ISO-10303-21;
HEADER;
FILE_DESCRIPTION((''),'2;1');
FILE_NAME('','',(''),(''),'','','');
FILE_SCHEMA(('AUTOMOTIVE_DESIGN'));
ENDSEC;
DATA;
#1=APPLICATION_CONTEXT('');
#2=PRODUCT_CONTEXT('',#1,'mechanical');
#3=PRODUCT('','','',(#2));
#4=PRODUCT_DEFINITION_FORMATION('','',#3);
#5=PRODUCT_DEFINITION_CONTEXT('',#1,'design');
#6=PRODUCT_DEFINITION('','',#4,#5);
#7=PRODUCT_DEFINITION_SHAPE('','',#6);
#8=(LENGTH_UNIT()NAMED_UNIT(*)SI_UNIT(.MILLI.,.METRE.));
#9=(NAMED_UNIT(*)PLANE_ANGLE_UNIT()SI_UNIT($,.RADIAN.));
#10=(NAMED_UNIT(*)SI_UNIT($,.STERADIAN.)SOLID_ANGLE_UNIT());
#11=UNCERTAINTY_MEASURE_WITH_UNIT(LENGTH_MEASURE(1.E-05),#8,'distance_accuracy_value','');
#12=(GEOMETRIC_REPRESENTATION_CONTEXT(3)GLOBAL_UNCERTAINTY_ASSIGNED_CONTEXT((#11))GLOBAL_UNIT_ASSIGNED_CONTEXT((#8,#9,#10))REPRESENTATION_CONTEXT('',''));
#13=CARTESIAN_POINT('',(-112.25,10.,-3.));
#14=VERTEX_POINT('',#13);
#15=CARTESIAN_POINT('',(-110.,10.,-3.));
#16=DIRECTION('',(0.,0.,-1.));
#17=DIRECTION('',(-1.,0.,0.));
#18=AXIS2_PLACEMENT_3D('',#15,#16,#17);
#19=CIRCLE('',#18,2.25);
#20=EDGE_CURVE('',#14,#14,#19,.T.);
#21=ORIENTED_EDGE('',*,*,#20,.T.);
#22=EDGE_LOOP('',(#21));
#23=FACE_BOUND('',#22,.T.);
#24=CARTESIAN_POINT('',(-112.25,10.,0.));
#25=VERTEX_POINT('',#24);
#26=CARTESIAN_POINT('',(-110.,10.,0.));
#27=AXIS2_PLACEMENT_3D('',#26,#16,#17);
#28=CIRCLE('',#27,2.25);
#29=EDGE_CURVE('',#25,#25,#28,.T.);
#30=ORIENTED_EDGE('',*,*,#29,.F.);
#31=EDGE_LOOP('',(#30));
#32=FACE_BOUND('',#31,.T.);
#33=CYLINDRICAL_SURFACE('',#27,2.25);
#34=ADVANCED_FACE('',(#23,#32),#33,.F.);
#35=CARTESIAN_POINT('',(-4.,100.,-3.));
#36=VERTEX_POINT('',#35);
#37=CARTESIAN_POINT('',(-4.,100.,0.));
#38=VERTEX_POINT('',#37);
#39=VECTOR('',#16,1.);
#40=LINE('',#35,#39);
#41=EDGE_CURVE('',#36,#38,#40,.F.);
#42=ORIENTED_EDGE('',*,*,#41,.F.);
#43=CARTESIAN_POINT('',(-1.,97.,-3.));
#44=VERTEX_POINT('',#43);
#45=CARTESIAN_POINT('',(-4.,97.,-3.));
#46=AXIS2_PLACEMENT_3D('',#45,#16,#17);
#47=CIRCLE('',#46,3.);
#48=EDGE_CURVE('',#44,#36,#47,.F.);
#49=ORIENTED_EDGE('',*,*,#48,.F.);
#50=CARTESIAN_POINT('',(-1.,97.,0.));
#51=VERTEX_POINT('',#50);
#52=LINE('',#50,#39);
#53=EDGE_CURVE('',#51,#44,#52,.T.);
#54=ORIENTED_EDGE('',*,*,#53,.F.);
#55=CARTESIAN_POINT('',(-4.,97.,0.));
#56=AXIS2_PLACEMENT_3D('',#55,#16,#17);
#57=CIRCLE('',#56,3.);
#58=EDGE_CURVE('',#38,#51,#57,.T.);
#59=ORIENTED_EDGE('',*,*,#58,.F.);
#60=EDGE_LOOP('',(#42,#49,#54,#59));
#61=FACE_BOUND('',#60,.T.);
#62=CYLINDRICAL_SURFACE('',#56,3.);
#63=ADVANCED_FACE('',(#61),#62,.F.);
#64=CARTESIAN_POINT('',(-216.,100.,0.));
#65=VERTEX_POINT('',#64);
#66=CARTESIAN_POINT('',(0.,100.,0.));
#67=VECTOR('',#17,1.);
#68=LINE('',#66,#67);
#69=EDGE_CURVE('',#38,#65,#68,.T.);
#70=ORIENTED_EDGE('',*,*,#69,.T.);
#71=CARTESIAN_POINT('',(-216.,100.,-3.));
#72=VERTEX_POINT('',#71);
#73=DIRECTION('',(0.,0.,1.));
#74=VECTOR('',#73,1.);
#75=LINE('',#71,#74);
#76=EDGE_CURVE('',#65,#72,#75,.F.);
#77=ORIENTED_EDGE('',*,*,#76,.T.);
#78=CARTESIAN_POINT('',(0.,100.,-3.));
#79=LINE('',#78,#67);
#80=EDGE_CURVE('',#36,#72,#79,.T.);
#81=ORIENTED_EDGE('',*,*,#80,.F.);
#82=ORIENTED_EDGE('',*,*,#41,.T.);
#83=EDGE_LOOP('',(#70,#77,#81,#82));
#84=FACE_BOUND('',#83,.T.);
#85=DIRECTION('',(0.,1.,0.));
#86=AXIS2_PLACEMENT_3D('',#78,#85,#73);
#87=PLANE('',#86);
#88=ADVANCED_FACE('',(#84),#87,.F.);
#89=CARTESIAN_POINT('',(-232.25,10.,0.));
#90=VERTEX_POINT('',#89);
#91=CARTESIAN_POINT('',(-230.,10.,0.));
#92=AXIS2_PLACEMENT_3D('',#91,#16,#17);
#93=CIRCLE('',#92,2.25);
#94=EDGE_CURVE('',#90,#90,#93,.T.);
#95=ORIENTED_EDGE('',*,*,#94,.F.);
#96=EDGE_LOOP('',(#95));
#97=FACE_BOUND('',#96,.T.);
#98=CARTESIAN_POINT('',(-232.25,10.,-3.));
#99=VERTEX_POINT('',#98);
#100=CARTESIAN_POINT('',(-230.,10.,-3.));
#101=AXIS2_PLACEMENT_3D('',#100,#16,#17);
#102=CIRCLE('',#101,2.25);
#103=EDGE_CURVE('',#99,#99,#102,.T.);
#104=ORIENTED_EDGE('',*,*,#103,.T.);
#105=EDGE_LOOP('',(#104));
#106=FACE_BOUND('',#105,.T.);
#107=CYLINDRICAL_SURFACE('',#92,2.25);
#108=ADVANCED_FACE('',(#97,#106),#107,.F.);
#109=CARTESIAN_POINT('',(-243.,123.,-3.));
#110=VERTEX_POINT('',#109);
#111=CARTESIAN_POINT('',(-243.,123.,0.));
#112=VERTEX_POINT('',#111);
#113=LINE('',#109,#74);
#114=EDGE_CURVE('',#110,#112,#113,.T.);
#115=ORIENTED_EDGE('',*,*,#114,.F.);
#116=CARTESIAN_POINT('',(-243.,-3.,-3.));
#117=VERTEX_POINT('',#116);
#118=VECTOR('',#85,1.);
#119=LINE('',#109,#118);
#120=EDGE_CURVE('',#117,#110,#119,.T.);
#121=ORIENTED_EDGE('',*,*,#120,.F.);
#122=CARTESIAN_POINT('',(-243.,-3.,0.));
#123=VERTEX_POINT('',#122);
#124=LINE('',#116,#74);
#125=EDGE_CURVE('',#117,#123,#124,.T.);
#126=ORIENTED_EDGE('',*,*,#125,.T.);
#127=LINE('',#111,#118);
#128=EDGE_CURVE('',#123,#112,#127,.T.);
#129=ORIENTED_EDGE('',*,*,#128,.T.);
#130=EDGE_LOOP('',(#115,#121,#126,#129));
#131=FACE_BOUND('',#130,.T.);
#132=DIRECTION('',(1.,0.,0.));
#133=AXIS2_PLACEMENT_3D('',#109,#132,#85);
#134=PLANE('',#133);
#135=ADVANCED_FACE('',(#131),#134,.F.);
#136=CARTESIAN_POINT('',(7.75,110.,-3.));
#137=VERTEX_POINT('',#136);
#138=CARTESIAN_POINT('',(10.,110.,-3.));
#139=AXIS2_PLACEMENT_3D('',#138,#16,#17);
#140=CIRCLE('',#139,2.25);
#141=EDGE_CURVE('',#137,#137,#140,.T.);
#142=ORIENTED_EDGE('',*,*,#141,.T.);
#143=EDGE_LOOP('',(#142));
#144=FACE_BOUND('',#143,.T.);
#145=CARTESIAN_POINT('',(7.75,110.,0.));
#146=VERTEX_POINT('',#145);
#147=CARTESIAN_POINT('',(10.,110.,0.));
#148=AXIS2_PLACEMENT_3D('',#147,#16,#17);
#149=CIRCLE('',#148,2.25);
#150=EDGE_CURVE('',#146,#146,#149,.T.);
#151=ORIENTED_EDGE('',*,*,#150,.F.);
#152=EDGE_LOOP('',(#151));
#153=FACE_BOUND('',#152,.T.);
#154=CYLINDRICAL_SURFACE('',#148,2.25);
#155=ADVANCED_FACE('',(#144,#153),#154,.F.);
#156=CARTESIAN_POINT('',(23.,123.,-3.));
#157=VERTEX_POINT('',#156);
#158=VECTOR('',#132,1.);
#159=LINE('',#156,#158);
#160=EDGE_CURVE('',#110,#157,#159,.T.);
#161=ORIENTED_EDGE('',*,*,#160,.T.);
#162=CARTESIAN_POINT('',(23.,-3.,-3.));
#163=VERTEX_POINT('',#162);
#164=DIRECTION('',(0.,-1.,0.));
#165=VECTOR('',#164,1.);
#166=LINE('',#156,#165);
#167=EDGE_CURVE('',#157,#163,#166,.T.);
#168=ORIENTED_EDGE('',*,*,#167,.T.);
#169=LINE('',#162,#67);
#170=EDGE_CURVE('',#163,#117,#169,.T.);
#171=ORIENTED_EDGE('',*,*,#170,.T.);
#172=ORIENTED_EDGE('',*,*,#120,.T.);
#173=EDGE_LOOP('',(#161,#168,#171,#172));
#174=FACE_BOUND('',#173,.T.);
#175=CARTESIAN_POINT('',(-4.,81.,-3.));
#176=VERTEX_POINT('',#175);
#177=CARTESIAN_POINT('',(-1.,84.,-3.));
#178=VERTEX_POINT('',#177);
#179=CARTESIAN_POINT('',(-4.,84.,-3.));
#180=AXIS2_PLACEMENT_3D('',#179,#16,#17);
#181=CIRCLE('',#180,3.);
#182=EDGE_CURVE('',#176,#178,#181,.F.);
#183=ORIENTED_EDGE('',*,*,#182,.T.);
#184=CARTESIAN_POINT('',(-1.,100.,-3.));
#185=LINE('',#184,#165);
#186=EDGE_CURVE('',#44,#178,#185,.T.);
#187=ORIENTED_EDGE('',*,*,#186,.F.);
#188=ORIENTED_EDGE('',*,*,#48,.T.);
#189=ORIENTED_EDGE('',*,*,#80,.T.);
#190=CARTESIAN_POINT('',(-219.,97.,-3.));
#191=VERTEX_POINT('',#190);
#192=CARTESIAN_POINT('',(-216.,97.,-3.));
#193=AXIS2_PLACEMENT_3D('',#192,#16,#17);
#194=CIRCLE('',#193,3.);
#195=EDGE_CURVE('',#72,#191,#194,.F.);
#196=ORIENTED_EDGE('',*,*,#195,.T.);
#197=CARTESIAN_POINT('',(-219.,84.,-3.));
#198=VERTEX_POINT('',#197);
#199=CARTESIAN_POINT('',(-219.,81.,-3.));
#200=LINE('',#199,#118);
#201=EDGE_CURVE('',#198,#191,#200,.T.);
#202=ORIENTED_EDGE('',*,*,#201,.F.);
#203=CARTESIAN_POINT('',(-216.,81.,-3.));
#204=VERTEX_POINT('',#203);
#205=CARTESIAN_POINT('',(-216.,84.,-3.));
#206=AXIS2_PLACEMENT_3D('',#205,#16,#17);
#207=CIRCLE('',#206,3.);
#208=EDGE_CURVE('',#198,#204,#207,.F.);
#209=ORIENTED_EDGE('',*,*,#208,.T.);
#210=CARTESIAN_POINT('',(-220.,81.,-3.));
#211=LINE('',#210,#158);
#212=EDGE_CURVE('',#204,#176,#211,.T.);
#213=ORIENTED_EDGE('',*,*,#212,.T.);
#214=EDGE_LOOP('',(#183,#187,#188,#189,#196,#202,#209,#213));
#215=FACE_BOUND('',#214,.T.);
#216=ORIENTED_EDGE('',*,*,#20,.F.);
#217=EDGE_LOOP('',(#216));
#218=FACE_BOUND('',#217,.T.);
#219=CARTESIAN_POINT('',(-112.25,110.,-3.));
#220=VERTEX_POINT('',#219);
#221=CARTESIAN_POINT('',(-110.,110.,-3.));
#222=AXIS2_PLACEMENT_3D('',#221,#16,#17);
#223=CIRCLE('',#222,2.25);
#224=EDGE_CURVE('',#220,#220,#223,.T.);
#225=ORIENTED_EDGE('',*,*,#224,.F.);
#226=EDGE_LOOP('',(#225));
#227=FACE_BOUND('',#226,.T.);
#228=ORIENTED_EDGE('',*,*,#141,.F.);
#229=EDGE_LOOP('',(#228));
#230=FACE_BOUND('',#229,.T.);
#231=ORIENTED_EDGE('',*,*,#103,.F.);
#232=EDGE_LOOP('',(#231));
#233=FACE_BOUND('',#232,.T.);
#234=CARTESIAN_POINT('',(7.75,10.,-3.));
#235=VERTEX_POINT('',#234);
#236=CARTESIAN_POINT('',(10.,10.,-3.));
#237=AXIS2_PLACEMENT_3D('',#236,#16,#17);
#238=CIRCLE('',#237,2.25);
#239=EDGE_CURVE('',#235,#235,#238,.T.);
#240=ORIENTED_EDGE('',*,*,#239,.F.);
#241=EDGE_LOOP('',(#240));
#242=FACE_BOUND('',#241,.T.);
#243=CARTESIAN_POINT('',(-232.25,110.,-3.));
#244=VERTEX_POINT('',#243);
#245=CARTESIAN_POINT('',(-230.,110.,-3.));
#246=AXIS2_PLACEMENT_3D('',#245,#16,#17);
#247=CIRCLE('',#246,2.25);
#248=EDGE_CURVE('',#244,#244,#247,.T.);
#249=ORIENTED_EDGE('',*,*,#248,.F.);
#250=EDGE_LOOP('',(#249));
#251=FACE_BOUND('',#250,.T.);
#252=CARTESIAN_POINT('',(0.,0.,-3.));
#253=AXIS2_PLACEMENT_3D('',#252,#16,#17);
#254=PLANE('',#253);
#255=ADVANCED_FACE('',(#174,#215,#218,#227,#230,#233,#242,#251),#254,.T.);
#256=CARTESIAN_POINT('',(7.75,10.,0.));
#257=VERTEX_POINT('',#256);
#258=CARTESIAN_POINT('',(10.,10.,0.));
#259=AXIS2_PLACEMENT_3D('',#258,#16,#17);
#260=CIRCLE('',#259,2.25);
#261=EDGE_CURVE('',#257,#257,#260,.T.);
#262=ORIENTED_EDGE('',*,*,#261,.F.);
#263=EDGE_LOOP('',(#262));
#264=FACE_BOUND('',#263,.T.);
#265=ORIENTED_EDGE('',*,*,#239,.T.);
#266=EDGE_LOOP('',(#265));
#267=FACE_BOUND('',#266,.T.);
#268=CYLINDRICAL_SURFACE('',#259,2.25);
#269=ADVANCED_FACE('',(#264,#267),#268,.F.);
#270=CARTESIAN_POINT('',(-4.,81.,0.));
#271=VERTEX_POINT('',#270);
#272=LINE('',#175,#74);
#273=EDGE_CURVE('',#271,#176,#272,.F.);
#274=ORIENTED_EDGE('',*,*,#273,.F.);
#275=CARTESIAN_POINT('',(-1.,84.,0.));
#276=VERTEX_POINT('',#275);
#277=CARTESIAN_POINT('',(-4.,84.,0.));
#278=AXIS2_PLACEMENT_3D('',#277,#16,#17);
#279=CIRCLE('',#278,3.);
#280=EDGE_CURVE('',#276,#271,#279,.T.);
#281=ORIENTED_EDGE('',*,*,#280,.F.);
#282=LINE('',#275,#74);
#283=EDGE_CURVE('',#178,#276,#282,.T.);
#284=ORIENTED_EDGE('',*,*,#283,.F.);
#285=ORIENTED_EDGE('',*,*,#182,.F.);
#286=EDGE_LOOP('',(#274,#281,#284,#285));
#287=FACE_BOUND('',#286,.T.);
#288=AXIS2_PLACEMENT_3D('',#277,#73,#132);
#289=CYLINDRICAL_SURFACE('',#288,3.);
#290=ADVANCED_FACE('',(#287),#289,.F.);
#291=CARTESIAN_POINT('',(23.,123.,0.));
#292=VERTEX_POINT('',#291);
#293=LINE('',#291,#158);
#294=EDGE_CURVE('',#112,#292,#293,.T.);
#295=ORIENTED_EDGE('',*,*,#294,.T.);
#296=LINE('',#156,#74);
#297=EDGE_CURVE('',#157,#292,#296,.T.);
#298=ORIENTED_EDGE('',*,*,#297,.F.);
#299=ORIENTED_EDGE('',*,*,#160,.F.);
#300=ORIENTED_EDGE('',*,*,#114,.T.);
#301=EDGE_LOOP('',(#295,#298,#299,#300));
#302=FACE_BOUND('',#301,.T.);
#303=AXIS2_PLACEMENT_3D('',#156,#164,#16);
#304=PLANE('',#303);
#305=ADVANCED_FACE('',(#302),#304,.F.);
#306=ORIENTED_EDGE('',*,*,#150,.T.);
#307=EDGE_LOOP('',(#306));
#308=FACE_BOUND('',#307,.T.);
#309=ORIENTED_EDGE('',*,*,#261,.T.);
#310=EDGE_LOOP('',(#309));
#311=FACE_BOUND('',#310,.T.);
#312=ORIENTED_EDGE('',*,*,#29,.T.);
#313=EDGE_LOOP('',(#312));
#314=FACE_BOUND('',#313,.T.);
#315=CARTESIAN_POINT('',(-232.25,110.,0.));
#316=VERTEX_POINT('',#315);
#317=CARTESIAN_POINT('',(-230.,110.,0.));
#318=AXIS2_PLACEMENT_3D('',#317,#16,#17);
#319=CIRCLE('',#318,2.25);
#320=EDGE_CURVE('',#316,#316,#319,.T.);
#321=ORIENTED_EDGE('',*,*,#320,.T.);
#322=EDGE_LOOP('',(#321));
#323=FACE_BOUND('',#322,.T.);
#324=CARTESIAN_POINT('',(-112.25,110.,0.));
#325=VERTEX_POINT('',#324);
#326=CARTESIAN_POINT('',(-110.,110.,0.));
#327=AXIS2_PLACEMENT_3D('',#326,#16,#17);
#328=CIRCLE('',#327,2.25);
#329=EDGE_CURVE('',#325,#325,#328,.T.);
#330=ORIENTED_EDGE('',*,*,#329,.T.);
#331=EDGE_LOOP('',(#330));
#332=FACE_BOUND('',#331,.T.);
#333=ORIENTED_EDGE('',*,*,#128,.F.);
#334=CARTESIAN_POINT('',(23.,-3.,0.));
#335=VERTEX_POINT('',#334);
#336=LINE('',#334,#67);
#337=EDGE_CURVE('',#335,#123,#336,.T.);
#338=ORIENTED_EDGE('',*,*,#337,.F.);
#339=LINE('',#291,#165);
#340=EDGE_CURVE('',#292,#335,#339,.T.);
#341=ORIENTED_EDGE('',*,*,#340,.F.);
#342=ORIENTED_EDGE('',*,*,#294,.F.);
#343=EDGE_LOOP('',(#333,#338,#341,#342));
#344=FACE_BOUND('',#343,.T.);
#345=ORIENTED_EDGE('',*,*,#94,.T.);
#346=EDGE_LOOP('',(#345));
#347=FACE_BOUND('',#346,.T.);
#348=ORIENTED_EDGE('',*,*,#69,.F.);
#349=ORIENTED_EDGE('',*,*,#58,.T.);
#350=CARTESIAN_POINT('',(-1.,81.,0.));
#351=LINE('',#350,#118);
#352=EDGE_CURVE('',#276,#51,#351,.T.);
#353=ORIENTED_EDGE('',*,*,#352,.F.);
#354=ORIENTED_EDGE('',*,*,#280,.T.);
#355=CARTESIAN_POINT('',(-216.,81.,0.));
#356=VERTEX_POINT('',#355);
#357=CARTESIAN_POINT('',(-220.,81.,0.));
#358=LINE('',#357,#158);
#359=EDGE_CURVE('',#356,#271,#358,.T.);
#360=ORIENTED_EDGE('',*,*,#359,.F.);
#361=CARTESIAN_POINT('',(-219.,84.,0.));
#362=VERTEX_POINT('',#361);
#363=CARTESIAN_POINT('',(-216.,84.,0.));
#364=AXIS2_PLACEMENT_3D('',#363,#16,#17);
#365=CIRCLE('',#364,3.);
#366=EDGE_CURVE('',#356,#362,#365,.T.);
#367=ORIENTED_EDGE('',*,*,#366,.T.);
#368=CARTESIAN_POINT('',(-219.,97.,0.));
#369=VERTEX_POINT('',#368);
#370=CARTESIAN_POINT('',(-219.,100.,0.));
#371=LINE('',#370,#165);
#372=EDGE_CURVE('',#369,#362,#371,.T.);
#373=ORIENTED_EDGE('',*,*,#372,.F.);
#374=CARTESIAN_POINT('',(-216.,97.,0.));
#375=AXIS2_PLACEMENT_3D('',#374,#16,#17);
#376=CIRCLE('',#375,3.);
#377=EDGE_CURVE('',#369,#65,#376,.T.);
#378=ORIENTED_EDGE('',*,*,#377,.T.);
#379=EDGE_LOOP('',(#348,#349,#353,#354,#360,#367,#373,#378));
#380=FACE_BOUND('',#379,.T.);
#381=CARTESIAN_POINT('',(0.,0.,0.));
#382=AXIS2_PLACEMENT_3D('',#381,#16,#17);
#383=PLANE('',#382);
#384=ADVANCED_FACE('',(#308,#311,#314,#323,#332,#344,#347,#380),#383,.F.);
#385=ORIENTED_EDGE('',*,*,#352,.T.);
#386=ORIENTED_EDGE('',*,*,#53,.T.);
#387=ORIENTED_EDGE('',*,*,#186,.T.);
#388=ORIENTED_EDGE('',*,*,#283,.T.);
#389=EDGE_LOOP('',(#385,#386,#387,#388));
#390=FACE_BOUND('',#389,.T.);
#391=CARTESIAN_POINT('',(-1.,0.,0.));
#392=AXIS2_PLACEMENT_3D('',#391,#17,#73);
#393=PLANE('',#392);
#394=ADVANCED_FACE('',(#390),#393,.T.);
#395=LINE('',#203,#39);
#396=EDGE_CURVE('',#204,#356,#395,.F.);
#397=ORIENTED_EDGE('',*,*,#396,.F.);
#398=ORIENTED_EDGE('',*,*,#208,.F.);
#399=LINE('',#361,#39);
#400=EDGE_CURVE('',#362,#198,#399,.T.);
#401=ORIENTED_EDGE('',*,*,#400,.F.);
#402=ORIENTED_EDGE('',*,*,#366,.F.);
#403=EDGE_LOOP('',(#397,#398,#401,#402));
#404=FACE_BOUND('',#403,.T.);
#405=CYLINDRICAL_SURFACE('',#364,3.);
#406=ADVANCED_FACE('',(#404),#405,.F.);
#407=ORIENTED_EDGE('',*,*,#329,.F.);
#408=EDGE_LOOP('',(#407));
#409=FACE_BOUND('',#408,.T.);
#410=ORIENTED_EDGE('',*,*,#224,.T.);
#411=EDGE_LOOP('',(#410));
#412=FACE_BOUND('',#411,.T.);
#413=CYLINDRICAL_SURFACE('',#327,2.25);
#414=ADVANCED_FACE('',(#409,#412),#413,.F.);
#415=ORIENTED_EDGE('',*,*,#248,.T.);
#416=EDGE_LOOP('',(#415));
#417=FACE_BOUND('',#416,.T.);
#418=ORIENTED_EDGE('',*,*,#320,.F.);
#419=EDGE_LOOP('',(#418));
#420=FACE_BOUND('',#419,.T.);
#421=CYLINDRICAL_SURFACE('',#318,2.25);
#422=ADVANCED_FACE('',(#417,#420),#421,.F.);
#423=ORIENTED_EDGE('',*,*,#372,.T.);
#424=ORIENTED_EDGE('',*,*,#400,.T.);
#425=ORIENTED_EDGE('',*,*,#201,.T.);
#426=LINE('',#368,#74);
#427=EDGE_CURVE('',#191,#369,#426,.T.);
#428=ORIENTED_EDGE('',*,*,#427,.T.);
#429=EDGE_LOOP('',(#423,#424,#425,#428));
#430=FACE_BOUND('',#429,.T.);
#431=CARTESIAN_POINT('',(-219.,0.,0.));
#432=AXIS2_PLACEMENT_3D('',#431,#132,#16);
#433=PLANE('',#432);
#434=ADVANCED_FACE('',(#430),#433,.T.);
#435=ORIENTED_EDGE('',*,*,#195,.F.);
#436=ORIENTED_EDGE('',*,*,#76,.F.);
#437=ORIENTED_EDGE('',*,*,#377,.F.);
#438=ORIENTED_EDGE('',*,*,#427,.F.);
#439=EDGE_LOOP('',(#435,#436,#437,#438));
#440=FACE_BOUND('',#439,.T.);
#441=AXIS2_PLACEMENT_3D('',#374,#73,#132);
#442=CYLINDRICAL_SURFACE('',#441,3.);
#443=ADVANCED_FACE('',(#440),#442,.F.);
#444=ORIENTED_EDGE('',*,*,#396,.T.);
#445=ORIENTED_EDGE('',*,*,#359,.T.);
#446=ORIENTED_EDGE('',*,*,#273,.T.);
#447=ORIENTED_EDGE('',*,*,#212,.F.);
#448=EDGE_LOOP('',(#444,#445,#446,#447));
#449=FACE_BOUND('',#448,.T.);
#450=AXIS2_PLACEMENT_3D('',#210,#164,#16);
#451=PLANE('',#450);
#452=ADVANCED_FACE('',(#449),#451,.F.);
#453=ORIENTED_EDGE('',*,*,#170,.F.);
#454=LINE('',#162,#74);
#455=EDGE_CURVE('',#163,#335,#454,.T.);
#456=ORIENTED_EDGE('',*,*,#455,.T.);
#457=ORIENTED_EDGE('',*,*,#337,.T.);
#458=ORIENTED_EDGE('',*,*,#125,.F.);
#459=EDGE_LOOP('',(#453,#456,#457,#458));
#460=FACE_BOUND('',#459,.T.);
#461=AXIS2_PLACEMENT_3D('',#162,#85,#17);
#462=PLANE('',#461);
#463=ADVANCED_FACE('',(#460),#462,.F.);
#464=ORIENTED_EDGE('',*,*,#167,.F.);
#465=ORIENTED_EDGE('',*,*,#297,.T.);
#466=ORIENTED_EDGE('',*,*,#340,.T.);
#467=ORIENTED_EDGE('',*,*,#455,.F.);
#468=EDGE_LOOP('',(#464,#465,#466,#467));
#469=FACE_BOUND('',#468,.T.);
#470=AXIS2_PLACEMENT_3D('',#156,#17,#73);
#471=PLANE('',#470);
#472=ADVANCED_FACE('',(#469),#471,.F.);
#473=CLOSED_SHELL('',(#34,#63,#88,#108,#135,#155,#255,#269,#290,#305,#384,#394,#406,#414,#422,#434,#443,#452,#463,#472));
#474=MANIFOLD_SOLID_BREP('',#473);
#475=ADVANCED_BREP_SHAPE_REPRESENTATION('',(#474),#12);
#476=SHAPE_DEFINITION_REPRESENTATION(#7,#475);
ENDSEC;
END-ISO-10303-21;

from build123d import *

# Parameters (mm, degrees)
SKETCH_1_W          = 266
SKETCH_1_H          = 126
EXTRUDE_1_DEPTH     = 3
SKETCH_2_W          = 220
SKETCH_2_H          = 19
CUT_EXTRUDE_1_DEPTH = 4
SKETCH_3_W          = 3
SKETCH_3_H          = 19
EXTRUDE_2_DEPTH     = 1
SKETCH_4_W          = 3
SKETCH_4_H          = 19
EXTRUDE_3_DEPTH     = 1
FILLET_1_R          = 3
SKETCH_5_R          = 2.25
CUT_EXTRUDE_2_DEPTH = 4


with BuildPart() as part:
    # Эскиз1 → Бобышка-Вытянуть1 (new body)
    with BuildSketch(Plane(origin=(0, 0, 0), x_dir=(-1, 0, 0), z_dir=(0, 0, -1))):
        with Locations((110, 60)):
            Rectangle(SKETCH_1_W, SKETCH_1_H)
    extrude(amount=EXTRUDE_1_DEPTH)

    # Эскиз2 → Вырез-Вытянуть1 (cut, through all)
    with BuildSketch(Plane.XY):
        with Locations((-110, 90.5)):
            Rectangle(SKETCH_2_W, SKETCH_2_H)
    extrude(amount=-CUT_EXTRUDE_1_DEPTH, mode=Mode.SUBTRACT)

    # Эскиз3 → Бобышка-Вытянуть2 (add)
    with BuildSketch(Plane.ZY):
        with Locations((-1.5, 90.5)):
            Rectangle(SKETCH_3_W, SKETCH_3_H)
    extrude(amount=EXTRUDE_2_DEPTH)

    # Эскиз4 → Бобышка-Вытянуть3 (add)
    with BuildSketch(Plane(origin=(-220, 0, 0), x_dir=(0, 0, -1), z_dir=(1, 0, 0))):
        with Locations((1.5, 90.5)):
            Rectangle(SKETCH_4_W, SKETCH_4_H)
    extrude(amount=EXTRUDE_3_DEPTH)

    # Скругление1
    fillet_1_edges = [part.edges().sort_by_distance(p)[0] for p in [
        (-1, 81, -1.5),
        (-1, 100, -1.5),
        (-219, 100, -1.5),
        (-219, 81, -1.5),
    ]]
    fillet(fillet_1_edges, radius=FILLET_1_R)

    # Эскиз5 → Вырез-Вытянуть2 (cut, through all)
    with BuildSketch(Plane(origin=(0, 0, -3), x_dir=(-1, 0, 0), z_dir=(0, 0, -1))):
        with Locations((230, 110)):
            Circle(SKETCH_5_R)
        with Locations((110, 110)):
            Circle(SKETCH_5_R)
        with Locations((-10, 110)):
            Circle(SKETCH_5_R)
        with Locations((-10, 10)):
            Circle(SKETCH_5_R)
        with Locations((110, 10)):
            Circle(SKETCH_5_R)
        with Locations((230, 10)):
            Circle(SKETCH_5_R)
    extrude(amount=-CUT_EXTRUDE_2_DEPTH, mode=Mode.SUBTRACT)


solid = part.part
